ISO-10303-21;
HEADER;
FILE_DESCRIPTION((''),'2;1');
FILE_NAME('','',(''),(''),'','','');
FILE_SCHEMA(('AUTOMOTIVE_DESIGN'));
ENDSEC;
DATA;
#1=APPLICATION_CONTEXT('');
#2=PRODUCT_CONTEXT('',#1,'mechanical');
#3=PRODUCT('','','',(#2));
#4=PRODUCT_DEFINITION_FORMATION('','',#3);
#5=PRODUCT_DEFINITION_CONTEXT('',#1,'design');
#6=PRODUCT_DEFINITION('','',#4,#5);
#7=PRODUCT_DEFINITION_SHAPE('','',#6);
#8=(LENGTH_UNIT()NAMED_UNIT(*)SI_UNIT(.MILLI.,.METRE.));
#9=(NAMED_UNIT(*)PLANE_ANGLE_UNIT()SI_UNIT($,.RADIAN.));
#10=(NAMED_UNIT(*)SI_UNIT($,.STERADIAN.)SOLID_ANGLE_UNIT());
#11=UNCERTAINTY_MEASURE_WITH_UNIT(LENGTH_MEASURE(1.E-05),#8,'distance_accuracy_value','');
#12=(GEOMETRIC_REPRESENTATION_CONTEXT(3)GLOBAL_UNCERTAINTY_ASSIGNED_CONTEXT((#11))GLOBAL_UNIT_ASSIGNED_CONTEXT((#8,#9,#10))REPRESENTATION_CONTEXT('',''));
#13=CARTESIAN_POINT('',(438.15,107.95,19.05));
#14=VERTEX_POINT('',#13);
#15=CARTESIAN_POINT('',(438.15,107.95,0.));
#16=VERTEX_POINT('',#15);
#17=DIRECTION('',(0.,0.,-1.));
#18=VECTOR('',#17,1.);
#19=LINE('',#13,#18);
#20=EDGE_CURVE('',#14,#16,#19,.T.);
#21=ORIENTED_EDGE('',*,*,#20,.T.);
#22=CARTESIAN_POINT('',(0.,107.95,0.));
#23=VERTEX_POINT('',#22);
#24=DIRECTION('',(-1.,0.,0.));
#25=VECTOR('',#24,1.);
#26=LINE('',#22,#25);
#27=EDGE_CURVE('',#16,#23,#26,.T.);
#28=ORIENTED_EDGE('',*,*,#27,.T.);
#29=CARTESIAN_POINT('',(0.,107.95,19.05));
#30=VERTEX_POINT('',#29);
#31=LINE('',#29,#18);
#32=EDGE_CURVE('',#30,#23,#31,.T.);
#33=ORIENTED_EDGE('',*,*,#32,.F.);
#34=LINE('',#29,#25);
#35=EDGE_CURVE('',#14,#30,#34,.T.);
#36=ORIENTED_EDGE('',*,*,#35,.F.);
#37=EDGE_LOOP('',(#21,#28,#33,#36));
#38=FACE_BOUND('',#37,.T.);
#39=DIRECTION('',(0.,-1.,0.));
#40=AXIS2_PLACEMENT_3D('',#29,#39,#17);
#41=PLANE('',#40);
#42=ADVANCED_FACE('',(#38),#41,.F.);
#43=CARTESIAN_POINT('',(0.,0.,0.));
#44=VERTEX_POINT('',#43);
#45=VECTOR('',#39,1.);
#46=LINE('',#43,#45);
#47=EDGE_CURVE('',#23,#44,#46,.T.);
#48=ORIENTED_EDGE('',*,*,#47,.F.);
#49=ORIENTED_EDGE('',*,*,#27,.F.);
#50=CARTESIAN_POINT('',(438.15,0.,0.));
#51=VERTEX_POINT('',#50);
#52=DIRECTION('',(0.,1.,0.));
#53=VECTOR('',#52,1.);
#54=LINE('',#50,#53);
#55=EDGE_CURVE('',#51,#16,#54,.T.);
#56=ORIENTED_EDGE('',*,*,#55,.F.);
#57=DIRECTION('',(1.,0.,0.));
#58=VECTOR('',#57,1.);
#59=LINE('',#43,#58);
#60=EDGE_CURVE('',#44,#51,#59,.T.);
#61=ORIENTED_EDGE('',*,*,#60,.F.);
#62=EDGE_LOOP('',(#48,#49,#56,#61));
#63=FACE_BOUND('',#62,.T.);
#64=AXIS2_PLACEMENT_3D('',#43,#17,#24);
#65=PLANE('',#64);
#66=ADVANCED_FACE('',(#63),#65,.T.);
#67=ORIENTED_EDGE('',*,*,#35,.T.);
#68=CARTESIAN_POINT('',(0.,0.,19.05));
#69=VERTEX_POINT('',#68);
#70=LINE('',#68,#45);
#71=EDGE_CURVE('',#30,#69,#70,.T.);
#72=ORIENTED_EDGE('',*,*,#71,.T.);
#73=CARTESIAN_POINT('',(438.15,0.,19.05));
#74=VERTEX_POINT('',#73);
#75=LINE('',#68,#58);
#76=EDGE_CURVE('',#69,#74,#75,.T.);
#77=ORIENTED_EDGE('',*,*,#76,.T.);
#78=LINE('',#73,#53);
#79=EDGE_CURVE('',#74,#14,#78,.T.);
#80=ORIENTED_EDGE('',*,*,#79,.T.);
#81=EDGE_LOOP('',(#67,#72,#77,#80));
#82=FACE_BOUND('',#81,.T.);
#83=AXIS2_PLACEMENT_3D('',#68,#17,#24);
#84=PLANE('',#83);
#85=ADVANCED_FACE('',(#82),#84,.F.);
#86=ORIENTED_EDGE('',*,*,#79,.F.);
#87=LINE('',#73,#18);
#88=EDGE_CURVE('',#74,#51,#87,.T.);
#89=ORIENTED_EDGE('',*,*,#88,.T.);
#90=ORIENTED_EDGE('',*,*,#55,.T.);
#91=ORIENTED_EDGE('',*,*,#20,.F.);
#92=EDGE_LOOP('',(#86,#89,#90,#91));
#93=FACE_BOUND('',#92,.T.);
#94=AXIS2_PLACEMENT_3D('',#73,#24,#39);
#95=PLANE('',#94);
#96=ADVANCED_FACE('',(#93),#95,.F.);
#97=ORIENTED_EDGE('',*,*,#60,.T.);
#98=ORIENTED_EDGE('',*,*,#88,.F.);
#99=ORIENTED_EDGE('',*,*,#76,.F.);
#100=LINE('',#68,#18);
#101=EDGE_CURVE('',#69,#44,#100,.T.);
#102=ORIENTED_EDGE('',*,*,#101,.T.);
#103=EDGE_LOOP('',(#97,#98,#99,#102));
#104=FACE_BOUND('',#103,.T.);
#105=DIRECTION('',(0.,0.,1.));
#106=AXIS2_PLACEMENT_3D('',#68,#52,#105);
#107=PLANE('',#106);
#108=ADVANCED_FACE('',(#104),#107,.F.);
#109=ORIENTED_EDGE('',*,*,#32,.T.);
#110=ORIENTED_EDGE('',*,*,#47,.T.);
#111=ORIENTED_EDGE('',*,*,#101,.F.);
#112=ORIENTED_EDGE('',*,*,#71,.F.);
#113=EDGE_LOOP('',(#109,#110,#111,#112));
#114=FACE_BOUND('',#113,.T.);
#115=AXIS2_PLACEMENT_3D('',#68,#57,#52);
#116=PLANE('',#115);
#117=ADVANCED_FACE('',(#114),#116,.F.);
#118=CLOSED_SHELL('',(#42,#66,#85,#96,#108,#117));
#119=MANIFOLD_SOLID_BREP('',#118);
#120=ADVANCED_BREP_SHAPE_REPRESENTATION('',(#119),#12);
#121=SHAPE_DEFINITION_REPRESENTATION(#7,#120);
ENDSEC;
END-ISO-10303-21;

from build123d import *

# Parameters (mm, degrees)
SKETCH1_W           = 438.15
SKETCH1_H           = 107.95
BOSS_EXTRUDE1_DEPTH = 19.05


with BuildPart() as part:
    # Sketch1 → Boss-Extrude1 (new body)
    with BuildSketch(Plane.XY):
        with Locations((219.075, 53.975)):
            Rectangle(SKETCH1_W, SKETCH1_H)
    extrude(amount=BOSS_EXTRUDE1_DEPTH)


solid = part.part
